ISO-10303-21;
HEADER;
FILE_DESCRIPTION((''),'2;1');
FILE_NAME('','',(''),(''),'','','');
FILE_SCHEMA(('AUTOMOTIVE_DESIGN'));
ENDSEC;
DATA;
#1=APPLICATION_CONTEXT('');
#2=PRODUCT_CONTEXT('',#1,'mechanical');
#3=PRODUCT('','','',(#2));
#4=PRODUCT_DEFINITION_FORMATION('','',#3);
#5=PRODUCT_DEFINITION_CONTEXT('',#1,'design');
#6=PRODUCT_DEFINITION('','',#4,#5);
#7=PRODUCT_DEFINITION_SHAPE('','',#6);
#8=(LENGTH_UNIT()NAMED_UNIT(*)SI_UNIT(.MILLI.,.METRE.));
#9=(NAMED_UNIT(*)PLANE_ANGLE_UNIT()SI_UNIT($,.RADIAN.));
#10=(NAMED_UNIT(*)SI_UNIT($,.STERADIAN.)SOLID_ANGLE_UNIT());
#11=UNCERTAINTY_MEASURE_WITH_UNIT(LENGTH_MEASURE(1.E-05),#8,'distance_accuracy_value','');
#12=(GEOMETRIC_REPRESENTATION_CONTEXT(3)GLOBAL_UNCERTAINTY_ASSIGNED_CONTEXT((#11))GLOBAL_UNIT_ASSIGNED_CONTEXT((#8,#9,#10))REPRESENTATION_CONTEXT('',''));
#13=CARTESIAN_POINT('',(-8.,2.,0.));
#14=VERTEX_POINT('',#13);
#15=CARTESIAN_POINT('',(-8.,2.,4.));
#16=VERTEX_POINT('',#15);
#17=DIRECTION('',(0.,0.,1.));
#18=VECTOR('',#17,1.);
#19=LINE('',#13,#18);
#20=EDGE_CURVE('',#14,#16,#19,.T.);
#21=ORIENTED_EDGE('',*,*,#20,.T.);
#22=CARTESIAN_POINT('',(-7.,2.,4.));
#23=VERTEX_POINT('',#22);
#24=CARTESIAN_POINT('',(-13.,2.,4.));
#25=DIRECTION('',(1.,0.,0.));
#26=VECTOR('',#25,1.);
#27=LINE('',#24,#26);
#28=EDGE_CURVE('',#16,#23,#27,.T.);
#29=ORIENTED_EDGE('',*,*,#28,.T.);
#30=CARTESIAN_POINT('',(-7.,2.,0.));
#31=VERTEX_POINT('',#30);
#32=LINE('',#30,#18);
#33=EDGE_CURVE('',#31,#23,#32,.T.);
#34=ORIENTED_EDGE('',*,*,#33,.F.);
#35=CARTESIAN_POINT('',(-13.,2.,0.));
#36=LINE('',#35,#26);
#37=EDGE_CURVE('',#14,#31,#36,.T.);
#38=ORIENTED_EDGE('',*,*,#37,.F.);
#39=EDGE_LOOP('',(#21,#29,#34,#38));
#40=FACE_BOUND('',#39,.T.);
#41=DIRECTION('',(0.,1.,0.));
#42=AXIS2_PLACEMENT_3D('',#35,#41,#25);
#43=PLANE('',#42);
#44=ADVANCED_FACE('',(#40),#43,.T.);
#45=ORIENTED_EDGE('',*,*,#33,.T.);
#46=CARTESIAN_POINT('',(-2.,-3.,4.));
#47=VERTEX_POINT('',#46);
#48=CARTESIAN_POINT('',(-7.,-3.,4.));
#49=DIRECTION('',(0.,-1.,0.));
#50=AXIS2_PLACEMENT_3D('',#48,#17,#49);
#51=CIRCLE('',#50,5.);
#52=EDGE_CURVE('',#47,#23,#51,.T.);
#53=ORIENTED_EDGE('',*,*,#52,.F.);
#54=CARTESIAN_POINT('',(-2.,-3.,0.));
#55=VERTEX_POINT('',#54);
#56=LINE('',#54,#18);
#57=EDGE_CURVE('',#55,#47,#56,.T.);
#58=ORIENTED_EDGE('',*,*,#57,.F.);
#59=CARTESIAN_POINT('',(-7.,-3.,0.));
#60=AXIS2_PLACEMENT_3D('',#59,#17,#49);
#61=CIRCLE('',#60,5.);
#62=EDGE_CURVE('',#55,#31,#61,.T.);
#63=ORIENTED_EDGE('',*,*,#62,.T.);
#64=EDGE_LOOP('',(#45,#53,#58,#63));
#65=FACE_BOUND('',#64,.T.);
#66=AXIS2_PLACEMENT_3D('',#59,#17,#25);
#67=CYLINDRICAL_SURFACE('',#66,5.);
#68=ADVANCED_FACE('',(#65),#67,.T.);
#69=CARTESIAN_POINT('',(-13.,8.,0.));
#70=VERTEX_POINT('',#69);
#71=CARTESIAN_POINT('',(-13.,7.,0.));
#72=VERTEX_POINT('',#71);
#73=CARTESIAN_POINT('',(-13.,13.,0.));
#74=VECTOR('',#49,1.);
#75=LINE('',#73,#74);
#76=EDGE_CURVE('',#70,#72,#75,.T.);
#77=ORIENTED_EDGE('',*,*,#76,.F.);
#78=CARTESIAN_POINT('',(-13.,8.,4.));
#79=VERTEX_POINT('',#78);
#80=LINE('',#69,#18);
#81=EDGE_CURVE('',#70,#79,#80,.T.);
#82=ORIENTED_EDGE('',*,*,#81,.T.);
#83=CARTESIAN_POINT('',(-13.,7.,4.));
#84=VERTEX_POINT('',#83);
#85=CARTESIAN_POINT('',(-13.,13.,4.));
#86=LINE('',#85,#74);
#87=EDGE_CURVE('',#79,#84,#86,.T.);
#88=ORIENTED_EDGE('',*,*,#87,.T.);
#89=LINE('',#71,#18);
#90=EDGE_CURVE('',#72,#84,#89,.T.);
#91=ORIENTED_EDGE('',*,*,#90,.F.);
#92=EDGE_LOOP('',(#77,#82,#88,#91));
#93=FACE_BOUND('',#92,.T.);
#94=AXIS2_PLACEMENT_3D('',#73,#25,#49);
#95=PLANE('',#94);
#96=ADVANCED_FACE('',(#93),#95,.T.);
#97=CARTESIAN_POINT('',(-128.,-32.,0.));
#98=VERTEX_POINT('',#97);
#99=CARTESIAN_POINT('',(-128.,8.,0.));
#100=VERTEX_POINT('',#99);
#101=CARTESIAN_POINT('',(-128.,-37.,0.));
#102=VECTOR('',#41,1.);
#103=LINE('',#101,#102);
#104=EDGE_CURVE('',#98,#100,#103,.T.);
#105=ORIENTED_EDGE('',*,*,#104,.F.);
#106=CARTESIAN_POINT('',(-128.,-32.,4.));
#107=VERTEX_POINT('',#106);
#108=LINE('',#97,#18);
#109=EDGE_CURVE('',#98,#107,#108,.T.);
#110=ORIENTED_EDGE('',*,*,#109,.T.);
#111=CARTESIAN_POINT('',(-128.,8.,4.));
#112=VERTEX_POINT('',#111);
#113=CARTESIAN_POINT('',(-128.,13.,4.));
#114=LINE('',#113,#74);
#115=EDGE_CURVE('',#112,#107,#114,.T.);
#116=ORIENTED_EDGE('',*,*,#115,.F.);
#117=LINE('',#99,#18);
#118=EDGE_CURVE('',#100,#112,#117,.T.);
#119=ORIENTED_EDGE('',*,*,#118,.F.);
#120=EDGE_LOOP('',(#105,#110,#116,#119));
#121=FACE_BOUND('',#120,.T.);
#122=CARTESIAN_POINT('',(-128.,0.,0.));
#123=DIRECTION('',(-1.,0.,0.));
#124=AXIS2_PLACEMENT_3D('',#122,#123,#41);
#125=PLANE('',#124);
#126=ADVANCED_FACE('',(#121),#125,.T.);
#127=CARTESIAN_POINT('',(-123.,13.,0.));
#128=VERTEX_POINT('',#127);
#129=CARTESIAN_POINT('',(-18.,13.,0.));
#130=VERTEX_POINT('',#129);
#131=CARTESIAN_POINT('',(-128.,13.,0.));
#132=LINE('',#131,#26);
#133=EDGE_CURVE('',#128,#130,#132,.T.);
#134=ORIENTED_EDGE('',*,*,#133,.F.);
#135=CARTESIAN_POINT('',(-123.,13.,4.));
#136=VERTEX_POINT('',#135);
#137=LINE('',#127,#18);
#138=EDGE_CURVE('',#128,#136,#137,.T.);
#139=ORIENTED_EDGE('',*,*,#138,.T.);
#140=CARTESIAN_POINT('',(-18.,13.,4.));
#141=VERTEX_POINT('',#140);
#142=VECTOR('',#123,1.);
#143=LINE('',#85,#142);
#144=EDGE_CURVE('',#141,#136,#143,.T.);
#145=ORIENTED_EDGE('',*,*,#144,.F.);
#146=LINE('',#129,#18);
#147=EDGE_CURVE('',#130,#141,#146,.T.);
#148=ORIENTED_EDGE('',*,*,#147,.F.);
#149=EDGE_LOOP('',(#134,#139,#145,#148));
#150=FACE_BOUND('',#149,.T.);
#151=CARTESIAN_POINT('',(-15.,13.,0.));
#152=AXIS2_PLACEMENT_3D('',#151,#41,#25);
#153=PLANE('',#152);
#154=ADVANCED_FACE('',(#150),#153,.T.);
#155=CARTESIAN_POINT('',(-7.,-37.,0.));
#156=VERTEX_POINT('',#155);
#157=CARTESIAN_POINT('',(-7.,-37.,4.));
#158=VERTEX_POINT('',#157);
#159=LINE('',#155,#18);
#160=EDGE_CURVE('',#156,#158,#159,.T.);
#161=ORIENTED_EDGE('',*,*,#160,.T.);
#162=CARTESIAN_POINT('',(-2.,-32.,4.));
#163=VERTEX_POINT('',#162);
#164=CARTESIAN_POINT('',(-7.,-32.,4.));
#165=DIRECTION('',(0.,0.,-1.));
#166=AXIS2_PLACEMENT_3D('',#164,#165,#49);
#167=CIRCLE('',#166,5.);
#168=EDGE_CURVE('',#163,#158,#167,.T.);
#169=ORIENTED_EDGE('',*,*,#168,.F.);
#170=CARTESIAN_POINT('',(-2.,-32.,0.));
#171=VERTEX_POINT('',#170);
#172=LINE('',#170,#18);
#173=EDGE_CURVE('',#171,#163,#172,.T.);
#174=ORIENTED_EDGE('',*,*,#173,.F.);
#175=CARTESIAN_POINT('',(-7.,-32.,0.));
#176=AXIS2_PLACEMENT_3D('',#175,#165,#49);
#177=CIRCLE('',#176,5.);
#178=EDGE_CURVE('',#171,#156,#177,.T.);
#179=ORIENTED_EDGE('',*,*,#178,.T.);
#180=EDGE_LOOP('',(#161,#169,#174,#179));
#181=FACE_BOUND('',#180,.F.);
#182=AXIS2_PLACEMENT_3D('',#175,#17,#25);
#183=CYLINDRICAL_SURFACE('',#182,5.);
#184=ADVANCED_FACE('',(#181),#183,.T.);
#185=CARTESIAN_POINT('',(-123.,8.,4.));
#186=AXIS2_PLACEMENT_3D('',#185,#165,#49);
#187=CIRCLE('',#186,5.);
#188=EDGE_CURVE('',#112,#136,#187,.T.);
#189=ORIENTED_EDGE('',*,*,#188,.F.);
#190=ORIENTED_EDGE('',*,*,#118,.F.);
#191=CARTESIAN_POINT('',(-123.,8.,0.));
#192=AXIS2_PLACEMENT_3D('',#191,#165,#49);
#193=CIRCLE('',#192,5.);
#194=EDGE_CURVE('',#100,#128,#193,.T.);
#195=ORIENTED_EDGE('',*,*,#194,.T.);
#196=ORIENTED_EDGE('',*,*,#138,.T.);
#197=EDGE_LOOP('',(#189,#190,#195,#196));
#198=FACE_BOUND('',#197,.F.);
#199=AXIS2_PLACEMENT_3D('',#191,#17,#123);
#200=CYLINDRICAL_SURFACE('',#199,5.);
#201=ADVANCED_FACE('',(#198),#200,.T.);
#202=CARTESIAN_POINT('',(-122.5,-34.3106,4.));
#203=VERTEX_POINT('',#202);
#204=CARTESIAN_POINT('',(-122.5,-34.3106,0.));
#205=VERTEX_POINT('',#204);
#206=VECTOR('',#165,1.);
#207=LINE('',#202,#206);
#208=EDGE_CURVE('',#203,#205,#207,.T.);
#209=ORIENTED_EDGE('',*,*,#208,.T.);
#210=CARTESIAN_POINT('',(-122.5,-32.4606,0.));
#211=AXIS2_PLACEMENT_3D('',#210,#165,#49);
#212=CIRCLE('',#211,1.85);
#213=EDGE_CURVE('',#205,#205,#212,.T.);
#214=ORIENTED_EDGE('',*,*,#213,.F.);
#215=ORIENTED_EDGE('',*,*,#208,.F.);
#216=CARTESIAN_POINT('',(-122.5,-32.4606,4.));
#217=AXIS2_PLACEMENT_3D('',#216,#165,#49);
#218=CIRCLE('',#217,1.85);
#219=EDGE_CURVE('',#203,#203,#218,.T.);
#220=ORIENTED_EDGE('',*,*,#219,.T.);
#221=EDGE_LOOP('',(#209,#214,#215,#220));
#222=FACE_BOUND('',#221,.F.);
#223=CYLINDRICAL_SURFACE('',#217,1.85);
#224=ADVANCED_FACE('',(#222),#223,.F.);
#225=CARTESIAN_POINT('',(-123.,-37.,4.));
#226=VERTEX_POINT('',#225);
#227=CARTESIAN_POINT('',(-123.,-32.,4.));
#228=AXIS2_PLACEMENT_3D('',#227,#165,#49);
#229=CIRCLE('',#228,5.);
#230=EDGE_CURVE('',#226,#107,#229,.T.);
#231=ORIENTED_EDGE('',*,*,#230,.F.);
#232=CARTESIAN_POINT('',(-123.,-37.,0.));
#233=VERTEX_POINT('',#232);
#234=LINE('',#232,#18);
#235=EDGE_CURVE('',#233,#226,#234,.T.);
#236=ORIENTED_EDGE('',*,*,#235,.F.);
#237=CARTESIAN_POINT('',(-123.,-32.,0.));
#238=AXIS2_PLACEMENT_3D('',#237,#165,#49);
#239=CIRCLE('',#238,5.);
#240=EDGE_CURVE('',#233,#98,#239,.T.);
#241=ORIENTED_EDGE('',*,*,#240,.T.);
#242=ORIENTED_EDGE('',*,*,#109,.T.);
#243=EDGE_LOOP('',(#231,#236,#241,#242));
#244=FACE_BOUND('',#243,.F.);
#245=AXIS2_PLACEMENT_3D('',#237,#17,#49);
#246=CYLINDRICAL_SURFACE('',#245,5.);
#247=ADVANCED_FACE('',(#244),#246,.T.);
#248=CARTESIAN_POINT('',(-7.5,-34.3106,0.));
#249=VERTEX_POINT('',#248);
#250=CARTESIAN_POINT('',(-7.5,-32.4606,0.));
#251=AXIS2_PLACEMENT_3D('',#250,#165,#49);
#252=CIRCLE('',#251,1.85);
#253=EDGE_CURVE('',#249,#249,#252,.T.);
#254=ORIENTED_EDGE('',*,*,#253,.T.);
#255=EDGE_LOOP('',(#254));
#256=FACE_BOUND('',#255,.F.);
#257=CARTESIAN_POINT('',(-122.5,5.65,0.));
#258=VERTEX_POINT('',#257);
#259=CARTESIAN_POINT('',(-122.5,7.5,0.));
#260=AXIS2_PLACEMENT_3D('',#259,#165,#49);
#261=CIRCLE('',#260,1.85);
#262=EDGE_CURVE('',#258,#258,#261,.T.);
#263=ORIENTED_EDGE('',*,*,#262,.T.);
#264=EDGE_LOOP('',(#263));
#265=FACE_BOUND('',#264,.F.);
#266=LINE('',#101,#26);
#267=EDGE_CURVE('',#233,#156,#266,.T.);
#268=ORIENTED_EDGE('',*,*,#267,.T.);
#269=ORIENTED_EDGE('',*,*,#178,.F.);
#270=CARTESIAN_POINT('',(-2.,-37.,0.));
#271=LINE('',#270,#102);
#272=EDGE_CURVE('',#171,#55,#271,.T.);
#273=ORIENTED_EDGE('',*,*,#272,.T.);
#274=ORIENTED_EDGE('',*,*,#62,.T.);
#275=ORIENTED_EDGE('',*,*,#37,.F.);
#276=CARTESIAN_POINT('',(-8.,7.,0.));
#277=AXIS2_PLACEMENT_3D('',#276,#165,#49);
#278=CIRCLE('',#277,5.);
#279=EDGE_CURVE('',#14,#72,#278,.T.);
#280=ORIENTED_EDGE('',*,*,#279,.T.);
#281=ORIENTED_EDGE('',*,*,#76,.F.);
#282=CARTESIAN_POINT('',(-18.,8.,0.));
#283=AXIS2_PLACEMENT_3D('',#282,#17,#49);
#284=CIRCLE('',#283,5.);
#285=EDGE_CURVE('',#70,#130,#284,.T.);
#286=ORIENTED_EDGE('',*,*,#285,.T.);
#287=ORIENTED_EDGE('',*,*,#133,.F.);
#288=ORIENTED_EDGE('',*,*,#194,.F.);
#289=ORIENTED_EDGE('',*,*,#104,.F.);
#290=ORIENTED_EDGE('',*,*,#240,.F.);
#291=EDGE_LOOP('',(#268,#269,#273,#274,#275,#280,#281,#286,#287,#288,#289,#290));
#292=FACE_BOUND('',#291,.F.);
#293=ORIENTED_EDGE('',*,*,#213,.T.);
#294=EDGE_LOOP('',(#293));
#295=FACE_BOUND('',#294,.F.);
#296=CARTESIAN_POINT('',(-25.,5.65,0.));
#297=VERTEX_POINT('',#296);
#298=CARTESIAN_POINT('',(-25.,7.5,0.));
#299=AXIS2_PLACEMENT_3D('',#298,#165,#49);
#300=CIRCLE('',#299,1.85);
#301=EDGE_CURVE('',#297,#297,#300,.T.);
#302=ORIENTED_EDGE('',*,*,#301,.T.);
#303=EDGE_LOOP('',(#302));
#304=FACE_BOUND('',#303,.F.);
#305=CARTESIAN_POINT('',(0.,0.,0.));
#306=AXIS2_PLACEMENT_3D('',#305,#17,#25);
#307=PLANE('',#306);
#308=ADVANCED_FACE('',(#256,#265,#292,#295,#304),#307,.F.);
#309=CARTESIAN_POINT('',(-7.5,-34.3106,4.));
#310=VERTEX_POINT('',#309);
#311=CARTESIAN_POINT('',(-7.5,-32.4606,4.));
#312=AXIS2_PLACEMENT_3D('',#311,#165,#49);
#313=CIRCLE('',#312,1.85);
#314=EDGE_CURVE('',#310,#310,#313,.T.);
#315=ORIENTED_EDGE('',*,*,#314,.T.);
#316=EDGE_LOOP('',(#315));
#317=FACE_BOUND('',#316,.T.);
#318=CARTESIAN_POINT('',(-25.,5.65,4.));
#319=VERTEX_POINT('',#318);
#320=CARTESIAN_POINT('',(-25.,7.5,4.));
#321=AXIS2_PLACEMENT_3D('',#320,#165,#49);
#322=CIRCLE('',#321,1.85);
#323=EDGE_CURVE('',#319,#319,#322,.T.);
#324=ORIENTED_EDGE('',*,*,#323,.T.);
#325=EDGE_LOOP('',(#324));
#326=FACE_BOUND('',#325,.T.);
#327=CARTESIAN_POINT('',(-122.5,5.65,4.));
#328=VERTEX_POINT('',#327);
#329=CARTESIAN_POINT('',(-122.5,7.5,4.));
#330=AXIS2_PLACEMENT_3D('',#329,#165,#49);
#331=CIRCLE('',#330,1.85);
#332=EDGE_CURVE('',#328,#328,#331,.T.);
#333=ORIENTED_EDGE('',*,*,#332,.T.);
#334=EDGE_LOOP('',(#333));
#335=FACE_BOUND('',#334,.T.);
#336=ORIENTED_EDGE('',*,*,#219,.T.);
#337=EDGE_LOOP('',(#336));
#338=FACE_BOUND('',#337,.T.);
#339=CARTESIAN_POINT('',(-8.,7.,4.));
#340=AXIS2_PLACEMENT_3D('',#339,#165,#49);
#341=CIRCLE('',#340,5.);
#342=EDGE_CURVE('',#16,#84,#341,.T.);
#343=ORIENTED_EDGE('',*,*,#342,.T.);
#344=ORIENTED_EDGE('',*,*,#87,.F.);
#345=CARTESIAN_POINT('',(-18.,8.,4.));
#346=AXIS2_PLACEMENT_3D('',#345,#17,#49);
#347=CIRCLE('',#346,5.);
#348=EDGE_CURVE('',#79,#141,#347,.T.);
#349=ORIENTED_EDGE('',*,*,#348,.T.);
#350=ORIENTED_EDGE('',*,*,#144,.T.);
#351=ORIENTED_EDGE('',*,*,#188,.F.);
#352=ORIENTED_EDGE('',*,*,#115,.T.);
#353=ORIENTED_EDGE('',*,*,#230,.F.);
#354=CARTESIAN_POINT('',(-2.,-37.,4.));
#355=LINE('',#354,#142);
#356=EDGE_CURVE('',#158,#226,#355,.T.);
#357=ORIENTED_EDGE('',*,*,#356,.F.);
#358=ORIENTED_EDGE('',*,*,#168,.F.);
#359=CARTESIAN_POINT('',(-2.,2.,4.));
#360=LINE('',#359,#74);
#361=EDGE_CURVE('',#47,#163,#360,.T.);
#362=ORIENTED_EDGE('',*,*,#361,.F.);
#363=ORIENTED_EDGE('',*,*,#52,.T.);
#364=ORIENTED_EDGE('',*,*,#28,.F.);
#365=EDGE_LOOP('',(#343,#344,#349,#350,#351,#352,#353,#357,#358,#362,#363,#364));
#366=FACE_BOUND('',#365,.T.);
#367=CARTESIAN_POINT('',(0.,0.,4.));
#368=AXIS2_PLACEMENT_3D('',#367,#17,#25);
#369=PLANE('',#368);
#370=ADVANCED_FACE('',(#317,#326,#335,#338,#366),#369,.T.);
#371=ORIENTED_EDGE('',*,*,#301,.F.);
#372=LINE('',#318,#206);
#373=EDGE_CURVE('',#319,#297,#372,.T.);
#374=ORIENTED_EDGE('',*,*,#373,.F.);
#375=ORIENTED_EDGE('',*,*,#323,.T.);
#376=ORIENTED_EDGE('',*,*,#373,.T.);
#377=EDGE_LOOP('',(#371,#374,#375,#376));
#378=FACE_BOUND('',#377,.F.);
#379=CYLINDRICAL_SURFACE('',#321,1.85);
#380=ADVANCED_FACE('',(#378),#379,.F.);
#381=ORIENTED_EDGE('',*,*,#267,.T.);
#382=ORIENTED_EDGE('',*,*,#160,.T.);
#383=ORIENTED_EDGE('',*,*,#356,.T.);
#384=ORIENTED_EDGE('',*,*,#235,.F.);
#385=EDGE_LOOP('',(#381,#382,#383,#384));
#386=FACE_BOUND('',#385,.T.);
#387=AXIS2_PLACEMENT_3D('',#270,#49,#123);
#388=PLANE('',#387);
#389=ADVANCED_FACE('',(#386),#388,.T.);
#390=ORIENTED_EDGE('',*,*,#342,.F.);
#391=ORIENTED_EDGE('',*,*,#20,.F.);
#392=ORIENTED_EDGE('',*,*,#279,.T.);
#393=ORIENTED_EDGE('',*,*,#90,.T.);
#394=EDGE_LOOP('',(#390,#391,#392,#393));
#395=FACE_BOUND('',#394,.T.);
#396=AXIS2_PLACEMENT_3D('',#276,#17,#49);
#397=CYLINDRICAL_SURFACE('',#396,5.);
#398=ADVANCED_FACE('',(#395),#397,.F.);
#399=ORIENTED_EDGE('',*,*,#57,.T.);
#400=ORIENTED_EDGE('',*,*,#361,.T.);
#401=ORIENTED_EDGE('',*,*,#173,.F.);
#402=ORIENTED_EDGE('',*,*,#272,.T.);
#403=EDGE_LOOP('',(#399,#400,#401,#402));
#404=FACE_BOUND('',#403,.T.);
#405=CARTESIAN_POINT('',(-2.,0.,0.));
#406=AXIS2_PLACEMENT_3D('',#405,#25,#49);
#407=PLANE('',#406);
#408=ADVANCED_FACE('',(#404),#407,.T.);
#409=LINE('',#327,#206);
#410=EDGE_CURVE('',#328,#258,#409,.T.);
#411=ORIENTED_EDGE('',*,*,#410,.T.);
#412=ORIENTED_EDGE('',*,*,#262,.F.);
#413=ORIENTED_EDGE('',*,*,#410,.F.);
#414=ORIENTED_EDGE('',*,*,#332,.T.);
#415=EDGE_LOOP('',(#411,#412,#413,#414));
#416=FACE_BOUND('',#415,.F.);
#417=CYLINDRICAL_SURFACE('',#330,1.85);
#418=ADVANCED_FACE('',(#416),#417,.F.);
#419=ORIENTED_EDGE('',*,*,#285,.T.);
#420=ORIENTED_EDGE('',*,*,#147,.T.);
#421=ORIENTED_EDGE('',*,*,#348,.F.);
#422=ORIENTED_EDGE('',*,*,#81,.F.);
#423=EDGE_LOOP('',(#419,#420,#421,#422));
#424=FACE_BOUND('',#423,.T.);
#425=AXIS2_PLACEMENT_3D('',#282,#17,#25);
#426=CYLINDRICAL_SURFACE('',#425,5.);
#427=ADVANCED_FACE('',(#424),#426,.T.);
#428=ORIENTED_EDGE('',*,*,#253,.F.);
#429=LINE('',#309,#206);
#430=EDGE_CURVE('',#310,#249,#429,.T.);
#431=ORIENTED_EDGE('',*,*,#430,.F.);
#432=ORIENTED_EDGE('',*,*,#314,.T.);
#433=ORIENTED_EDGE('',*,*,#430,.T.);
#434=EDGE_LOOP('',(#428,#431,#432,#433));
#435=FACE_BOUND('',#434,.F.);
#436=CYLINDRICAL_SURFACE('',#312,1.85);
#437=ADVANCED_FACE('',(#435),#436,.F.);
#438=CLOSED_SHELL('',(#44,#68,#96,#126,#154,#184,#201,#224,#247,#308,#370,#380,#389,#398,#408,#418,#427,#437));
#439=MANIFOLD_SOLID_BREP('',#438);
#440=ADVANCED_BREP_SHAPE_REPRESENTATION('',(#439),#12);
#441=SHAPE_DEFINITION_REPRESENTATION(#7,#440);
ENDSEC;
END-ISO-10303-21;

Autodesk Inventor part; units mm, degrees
ref_plane "YZ Plane" through (0, 0, 0) normal (1, 0, 0) x (0, 1, 0)
ref_plane "XZ Plane" through (0, 0, 0) normal (0, 1, 0) x (-1, 0, 0)
ref_plane "XY Plane" through (0, 0, 0) normal (0, 0, 1) x (1, 0, 0)
sketch "Sketch1" plane through (0, 0, 0) normal (0, 0, 1) x (1, 0, 0)
  line L0 (0, 0) -> (0, 15)
  line L1 (0, 15) -> (-15, 15)
  line L2 (-15, 0) -> (-15, 15)
  line L3 (0, 0) -> (-15, 0)
  line L4 (-15, 15) -> (-515, 15)
  line L5 (-15, 0) -> (-515, 0)
  line L6 (-15, -360) -> (-15, 0)
  line L7 (0, -360) -> (0, 0)
  line L8 (-115, -360) -> (-115, 0)
  line L9 (-130, -360) -> (-130, 0)
  line L10 (-128, 13) -> (-2, 13)
  line L11 (-2, 13) -> (-2, -37)
  line L12 (-2, -37) -> (-128, -37)
  line L13 (-128, -37) -> (-128, 13)
  line L14 (-13, 13) -> (-13, 2)
  line L15 (-13, 2) -> (-2, 2)
extrude "Extrusion1" add sketch "Sketch1" along normal blind 4 contours L11 L12 L6 L3 | L3 L2 L10 L14 L15 L11 | L5 L13 L10 L2 | L6 L12 L8 L5 | L8 L12 L13 L5
sketch "Sketch2" plane through (0, 0, 4) normal (0, 0, 1) x (1, 0, 0)
  line L0 (-13, 13) -> (-128, 13) projected
  line L1 (-128, 13) -> (-128, -37) projected
  line L2 (-128, -37) -> (-2, -37) projected
  line L3 (-2, -37) -> (-2, 2) projected
  line L4 (-13, 2) -> (-13, 13) projected
  line L5 (-2, 2) -> (-13, 2) projected
  point P0 (0, 0)
  point P1 (-122.5, -32.4606)
  point P2 (-122.5, 7.5)
  point P3 (-25, 7.5)
  point P4 (-7.5, -32.4606)
  dimension "d6" = 5.5
  dimension "d7" = 5.5
  dimension "d8" = 5.5
  dimension "d9" = 23
hole "Hole1" at (-122.5, -32.4606, 4) at (-122.5, 7.5, 4) at (-25, 7.5, 4) at (-7.5, -32.4606, 4) direction (0, 0, -1) diameter 3.7 depth 8 tip angle 118
fillet "Fillet1" radius 5 6 edges at (-2, -37, 2) (-128, -37, 2) (-128, 13, 2) (-13, 13, 2) (-13, 2, 2) (-2, 2, 2)
equation "\"d7\" = d6"
equation "\"d8\" = d6"
equation "\"d1\" = d0"
equation "\"d3\" = d1"
equation "\"d21\" = d20"
equation "\"d0\" = 2"
equation "\"d20\" = 2"
properties part number "Frame_Foot_Solid" material "ABS Plastic"
